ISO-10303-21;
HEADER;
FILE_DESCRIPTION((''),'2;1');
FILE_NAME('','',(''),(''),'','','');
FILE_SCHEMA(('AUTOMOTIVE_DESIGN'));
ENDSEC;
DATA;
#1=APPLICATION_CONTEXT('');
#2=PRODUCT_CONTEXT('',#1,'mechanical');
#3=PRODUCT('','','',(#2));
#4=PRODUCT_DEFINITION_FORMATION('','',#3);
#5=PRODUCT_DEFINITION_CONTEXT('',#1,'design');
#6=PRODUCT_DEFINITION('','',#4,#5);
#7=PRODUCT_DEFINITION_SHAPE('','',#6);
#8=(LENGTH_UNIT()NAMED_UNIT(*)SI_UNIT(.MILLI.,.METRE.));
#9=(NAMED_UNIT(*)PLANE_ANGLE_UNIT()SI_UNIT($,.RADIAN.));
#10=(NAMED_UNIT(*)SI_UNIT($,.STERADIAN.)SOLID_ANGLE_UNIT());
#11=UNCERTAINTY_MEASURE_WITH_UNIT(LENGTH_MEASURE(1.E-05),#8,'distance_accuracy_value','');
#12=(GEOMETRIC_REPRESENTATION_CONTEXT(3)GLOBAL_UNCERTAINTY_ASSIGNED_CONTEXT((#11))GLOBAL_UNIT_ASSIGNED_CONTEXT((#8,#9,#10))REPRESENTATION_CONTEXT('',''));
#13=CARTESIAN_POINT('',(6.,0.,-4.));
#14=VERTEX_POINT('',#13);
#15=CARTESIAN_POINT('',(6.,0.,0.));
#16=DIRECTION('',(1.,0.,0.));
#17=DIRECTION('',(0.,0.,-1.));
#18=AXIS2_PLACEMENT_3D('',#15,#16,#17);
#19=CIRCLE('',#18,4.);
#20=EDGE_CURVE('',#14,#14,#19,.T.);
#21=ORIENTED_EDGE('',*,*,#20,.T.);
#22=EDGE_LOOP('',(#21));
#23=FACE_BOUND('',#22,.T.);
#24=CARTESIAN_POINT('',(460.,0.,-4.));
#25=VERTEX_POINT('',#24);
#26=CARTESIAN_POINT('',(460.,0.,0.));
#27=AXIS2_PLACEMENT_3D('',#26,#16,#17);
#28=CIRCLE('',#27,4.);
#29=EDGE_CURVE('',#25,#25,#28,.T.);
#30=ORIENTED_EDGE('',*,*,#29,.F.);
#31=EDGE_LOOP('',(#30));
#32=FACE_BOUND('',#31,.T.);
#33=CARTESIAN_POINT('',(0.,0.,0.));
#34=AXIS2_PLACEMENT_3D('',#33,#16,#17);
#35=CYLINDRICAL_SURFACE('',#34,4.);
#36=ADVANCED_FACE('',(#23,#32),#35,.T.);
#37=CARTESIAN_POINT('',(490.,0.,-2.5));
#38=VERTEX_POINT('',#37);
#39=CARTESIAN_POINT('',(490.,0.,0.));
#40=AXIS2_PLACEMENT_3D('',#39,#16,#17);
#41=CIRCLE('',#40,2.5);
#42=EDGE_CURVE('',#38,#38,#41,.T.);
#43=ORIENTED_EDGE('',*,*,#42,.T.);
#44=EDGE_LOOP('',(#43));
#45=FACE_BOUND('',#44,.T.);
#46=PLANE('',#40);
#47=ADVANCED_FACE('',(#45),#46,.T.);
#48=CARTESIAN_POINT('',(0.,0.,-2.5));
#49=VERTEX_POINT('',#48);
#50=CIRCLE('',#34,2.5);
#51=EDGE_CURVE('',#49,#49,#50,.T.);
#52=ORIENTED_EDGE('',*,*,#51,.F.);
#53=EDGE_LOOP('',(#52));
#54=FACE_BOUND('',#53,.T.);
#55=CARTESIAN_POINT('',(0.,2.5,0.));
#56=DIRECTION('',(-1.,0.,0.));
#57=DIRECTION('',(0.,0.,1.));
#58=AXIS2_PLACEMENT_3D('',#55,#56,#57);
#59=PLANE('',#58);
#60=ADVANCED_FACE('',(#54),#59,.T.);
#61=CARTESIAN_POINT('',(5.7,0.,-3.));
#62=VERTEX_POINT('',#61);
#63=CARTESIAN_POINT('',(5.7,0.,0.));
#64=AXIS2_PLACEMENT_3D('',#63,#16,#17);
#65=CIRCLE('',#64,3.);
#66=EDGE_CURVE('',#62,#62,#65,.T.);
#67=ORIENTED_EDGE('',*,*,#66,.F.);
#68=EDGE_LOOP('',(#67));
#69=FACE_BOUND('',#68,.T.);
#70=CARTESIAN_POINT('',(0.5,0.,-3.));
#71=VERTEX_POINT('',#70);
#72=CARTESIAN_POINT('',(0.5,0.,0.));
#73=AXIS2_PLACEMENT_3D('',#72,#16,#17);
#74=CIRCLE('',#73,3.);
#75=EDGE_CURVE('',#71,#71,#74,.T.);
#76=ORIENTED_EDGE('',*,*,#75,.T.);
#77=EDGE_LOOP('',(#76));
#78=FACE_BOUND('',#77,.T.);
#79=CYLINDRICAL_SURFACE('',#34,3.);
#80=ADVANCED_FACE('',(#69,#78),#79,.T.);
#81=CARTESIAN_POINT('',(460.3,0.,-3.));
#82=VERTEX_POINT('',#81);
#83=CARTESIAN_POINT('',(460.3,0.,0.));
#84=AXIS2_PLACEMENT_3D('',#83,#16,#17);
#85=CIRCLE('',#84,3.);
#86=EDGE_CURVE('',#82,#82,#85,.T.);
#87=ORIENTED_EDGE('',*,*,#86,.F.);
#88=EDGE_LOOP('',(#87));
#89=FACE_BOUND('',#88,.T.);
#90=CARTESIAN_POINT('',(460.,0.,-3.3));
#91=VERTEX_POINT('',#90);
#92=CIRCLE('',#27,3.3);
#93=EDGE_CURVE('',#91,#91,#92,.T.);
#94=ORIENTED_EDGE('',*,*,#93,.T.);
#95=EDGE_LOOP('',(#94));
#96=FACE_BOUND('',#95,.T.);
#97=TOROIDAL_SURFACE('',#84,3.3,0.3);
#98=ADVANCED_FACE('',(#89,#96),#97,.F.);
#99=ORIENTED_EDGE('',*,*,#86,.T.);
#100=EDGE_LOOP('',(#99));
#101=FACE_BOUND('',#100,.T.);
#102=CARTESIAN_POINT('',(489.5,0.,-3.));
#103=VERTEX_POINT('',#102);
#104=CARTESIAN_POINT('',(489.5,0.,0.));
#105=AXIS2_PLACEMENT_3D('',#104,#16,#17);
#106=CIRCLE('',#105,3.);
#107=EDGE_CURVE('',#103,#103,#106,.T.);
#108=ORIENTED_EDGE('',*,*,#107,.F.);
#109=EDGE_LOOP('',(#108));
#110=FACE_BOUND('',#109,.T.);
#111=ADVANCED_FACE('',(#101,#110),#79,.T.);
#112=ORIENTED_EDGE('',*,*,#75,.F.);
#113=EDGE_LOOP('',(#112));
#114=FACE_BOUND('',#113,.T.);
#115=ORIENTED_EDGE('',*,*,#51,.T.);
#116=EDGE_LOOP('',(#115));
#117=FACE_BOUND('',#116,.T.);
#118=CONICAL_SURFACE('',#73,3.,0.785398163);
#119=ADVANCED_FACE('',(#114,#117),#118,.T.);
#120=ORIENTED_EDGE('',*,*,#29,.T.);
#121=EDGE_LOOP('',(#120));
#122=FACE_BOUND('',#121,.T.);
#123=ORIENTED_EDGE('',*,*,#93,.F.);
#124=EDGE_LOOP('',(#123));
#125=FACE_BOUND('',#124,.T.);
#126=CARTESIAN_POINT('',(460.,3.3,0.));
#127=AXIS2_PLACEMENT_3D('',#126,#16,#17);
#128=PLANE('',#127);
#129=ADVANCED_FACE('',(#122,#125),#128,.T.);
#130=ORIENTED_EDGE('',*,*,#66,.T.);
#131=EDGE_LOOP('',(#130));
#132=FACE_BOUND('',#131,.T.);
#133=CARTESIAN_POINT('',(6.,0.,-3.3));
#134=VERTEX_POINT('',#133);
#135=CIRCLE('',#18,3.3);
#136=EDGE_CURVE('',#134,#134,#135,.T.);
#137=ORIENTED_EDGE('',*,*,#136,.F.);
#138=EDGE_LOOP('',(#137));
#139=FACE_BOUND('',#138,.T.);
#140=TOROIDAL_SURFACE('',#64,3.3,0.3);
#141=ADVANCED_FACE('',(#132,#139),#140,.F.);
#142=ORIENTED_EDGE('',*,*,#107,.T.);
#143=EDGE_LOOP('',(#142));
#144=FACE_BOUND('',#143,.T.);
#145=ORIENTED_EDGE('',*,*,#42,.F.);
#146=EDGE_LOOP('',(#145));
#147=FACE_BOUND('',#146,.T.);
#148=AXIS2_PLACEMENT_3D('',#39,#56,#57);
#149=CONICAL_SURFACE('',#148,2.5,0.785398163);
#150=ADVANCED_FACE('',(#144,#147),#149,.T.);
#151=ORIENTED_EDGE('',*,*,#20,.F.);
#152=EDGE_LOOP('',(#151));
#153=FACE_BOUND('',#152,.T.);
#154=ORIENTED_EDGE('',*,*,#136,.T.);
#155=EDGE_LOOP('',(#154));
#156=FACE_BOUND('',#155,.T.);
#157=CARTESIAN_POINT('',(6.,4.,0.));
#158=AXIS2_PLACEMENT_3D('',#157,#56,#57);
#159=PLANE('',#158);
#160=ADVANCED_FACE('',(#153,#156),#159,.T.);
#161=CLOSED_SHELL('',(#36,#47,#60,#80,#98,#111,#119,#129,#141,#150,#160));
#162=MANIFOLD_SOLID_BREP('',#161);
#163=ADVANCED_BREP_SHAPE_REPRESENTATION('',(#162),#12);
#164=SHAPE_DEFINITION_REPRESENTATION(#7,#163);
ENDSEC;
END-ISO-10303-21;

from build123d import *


with BuildPart() as part:
    # Sketch1 → Revolve1 (revolve)
    with BuildSketch(Plane.XY, mode=Mode.PRIVATE) as revolve1_sk:
        with BuildLine():
            Line((0, 2.5), (0, 0))
            Line((0, 0), (490, 0))
            Line((490, 0), (490, 2.5))
            Line((490, 2.5), (489.5, 3))
            Line((489.5, 3), (460.3, 3))
            ThreePointArc((460.3, 3), (460.087867966, 3.087867966), (460, 3.3))
            Line((460, 3.3), (460, 4))
            Line((460, 4), (6, 4))
            Line((6, 4), (6, 3.3))
            ThreePointArc((6, 3.3), (5.912132034, 3.087867966), (5.7, 3))
            Line((5.7, 3), (0.5, 3))
            Line((0.5, 3), (0, 2.5))
        make_face()
    revolve(revolve1_sk.sketch.rotate(Axis((0, 0, 0), (1, 0, 0)), 270), axis=Axis((0, 0, 0), (1, 0, 0)))


solid = part.part
